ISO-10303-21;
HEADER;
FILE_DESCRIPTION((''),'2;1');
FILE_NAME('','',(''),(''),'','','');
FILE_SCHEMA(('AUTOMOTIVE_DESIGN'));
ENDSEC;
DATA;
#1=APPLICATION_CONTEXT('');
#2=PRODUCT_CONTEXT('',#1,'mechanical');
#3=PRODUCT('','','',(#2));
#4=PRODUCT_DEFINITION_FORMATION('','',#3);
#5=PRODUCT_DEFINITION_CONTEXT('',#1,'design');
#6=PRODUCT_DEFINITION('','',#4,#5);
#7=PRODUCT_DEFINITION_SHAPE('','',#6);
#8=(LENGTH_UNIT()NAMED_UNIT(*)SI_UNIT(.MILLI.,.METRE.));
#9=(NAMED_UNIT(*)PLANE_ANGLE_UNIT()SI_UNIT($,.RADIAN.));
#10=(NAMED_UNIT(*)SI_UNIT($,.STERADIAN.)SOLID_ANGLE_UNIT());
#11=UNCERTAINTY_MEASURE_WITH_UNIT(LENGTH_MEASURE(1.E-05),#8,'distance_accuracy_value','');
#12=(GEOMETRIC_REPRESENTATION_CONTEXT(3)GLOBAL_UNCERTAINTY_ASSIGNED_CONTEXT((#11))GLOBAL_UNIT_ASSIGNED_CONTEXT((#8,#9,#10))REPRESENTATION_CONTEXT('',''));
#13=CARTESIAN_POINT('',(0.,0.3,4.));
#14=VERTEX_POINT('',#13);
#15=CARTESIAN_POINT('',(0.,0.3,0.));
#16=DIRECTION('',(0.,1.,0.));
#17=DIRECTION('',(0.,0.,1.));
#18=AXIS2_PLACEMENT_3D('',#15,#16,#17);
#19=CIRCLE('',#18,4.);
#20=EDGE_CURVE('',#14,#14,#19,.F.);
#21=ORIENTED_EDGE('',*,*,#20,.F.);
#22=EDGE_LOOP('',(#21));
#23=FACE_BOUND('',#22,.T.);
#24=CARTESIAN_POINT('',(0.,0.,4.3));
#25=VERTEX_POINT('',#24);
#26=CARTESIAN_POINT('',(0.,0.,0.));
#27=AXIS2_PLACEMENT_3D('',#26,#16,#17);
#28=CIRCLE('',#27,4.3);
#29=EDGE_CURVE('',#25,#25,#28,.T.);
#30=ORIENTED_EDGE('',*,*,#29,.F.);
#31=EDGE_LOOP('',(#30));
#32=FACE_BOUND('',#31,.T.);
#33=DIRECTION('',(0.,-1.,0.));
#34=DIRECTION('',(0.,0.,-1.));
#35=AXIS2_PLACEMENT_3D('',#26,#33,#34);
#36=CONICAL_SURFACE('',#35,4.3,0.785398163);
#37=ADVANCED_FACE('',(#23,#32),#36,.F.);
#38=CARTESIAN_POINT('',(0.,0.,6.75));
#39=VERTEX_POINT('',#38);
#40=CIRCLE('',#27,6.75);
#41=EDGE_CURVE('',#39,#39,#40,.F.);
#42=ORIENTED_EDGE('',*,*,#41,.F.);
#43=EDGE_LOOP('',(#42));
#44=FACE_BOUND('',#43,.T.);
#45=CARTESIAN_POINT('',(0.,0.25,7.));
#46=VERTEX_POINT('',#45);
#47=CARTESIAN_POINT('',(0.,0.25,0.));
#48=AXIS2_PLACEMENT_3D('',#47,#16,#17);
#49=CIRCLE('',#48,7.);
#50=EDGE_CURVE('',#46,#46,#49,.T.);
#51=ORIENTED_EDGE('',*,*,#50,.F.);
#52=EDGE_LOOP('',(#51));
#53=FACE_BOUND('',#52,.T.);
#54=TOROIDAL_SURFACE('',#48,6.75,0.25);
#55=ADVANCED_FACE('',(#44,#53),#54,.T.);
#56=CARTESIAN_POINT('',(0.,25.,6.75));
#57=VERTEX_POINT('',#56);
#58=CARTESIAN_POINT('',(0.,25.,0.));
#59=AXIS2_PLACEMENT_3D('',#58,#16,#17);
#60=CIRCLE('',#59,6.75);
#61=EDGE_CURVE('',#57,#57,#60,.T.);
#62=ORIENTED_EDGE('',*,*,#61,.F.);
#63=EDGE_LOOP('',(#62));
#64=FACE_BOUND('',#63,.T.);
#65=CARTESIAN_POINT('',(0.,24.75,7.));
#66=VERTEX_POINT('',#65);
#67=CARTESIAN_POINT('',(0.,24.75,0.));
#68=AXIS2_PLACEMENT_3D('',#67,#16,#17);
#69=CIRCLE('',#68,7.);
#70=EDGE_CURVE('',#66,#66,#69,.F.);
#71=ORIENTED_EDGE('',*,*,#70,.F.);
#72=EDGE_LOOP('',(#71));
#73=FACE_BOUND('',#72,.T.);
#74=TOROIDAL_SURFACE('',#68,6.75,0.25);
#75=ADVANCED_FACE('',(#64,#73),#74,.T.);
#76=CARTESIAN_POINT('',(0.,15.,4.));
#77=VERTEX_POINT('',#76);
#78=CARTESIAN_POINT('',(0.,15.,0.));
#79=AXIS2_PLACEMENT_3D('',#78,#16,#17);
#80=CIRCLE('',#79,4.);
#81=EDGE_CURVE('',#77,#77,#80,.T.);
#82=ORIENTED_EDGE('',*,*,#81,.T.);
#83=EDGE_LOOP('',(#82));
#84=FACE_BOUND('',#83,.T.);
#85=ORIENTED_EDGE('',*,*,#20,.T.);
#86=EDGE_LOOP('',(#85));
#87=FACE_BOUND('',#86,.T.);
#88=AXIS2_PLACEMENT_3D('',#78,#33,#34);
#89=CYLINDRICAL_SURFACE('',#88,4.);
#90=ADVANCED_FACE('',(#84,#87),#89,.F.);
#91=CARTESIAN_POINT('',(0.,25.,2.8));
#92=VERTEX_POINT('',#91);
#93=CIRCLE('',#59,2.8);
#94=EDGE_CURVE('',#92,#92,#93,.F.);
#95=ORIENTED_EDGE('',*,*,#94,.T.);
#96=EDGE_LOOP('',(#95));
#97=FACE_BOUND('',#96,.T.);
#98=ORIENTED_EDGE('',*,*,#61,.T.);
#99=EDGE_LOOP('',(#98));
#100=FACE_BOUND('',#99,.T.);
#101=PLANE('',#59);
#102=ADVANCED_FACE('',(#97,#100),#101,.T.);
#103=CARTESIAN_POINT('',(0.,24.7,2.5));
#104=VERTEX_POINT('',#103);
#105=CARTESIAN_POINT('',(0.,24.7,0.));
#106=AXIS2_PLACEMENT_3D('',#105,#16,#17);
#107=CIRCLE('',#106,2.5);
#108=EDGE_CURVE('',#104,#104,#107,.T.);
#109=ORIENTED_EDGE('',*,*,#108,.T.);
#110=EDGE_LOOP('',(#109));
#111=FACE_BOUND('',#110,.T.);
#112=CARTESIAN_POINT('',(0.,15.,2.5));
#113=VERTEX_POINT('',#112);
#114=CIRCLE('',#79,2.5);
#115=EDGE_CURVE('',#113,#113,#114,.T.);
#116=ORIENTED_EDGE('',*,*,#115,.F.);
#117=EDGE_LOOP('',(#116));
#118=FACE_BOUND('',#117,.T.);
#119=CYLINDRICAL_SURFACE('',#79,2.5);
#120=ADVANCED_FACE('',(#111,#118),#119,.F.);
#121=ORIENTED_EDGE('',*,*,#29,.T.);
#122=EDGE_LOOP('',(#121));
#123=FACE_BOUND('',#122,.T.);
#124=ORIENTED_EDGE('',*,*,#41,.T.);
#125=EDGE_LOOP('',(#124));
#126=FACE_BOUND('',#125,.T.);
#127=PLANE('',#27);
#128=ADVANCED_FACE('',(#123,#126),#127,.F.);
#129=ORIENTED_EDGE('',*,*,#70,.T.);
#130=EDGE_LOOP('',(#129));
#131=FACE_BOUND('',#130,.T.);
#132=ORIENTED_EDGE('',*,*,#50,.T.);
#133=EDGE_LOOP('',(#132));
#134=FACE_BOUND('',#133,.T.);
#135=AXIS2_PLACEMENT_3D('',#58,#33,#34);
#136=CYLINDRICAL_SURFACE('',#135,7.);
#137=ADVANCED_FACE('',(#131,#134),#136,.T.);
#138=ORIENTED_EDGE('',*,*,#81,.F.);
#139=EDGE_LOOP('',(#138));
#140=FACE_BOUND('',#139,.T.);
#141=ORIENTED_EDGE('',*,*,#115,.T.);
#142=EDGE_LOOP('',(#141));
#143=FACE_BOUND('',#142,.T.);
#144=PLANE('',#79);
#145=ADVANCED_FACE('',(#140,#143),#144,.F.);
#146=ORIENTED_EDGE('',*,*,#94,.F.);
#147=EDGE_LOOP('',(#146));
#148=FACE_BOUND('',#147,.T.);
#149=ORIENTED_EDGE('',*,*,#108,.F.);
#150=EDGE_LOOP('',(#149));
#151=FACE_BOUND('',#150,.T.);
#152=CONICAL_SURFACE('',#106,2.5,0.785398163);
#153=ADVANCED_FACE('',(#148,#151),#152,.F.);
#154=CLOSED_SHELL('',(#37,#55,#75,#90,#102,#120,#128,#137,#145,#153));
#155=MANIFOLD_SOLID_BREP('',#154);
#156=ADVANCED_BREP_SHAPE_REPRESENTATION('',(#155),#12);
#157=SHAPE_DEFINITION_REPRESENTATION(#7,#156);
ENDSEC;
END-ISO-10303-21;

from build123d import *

# Parameters (mm, degrees)
SKETCH_1_R          = 7
EXTRUDE_1_DEPTH     = 25
CUT_EXTRUDE_START   = 25
SKETCH_2_R          = 2.5
CUT_EXTRUDE_1_DEPTH = 10
SKETCH_3_R          = 4
CUT_EXTRUDE_2_DEPTH = 15
FILLET_1_R          = 0.25
CHAMFER_1_SIZE      = 0.3


with BuildPart() as part:
    # 草图1 → 凸台-拉伸1 (new body)
    with BuildSketch(Plane(origin=(0, 0, 0), x_dir=(1, 0, 0), z_dir=(0, 1, 0))):
        with Locations(Location((0, 0, 0), (0, 0, 270))):
            Circle(SKETCH_1_R)
    extrude(amount=EXTRUDE_1_DEPTH)

    # 草图2 → 切除-拉伸1 (cut)
    with BuildSketch(Plane(origin=(0, 0, 0), x_dir=(1, 0, 0), z_dir=(0, 1, 0)).offset(CUT_EXTRUDE_START)):
        with Locations(Location((0, 0, 0), (0, 0, 270))):
            Circle(SKETCH_2_R)
    extrude(amount=-CUT_EXTRUDE_1_DEPTH, mode=Mode.SUBTRACT)

    # 草图3 → 切除-拉伸2 (cut)
    with BuildSketch(Plane(origin=(0, 0, 0), x_dir=(1, 0, 0), z_dir=(0, 1, 0))):
        with Locations(Location((0, 0, 0), (0, 0, 270))):
            Circle(SKETCH_3_R)
    extrude(amount=CUT_EXTRUDE_2_DEPTH, mode=Mode.SUBTRACT)

    # 圆角1
    fillet_1_edges = [part.edges().sort_by_distance(p)[0] for p in [
        (0, 0, -7),
        (0, 25, -7),
    ]]
    fillet(fillet_1_edges, radius=FILLET_1_R)

    # 倒角1
    chamfer_1_edges = [part.edges().sort_by_distance(p)[0] for p in [
        (0, 0, -4),
        (0, 25, -2.5),
    ]]
    chamfer(chamfer_1_edges, length=CHAMFER_1_SIZE)


solid = part.part
